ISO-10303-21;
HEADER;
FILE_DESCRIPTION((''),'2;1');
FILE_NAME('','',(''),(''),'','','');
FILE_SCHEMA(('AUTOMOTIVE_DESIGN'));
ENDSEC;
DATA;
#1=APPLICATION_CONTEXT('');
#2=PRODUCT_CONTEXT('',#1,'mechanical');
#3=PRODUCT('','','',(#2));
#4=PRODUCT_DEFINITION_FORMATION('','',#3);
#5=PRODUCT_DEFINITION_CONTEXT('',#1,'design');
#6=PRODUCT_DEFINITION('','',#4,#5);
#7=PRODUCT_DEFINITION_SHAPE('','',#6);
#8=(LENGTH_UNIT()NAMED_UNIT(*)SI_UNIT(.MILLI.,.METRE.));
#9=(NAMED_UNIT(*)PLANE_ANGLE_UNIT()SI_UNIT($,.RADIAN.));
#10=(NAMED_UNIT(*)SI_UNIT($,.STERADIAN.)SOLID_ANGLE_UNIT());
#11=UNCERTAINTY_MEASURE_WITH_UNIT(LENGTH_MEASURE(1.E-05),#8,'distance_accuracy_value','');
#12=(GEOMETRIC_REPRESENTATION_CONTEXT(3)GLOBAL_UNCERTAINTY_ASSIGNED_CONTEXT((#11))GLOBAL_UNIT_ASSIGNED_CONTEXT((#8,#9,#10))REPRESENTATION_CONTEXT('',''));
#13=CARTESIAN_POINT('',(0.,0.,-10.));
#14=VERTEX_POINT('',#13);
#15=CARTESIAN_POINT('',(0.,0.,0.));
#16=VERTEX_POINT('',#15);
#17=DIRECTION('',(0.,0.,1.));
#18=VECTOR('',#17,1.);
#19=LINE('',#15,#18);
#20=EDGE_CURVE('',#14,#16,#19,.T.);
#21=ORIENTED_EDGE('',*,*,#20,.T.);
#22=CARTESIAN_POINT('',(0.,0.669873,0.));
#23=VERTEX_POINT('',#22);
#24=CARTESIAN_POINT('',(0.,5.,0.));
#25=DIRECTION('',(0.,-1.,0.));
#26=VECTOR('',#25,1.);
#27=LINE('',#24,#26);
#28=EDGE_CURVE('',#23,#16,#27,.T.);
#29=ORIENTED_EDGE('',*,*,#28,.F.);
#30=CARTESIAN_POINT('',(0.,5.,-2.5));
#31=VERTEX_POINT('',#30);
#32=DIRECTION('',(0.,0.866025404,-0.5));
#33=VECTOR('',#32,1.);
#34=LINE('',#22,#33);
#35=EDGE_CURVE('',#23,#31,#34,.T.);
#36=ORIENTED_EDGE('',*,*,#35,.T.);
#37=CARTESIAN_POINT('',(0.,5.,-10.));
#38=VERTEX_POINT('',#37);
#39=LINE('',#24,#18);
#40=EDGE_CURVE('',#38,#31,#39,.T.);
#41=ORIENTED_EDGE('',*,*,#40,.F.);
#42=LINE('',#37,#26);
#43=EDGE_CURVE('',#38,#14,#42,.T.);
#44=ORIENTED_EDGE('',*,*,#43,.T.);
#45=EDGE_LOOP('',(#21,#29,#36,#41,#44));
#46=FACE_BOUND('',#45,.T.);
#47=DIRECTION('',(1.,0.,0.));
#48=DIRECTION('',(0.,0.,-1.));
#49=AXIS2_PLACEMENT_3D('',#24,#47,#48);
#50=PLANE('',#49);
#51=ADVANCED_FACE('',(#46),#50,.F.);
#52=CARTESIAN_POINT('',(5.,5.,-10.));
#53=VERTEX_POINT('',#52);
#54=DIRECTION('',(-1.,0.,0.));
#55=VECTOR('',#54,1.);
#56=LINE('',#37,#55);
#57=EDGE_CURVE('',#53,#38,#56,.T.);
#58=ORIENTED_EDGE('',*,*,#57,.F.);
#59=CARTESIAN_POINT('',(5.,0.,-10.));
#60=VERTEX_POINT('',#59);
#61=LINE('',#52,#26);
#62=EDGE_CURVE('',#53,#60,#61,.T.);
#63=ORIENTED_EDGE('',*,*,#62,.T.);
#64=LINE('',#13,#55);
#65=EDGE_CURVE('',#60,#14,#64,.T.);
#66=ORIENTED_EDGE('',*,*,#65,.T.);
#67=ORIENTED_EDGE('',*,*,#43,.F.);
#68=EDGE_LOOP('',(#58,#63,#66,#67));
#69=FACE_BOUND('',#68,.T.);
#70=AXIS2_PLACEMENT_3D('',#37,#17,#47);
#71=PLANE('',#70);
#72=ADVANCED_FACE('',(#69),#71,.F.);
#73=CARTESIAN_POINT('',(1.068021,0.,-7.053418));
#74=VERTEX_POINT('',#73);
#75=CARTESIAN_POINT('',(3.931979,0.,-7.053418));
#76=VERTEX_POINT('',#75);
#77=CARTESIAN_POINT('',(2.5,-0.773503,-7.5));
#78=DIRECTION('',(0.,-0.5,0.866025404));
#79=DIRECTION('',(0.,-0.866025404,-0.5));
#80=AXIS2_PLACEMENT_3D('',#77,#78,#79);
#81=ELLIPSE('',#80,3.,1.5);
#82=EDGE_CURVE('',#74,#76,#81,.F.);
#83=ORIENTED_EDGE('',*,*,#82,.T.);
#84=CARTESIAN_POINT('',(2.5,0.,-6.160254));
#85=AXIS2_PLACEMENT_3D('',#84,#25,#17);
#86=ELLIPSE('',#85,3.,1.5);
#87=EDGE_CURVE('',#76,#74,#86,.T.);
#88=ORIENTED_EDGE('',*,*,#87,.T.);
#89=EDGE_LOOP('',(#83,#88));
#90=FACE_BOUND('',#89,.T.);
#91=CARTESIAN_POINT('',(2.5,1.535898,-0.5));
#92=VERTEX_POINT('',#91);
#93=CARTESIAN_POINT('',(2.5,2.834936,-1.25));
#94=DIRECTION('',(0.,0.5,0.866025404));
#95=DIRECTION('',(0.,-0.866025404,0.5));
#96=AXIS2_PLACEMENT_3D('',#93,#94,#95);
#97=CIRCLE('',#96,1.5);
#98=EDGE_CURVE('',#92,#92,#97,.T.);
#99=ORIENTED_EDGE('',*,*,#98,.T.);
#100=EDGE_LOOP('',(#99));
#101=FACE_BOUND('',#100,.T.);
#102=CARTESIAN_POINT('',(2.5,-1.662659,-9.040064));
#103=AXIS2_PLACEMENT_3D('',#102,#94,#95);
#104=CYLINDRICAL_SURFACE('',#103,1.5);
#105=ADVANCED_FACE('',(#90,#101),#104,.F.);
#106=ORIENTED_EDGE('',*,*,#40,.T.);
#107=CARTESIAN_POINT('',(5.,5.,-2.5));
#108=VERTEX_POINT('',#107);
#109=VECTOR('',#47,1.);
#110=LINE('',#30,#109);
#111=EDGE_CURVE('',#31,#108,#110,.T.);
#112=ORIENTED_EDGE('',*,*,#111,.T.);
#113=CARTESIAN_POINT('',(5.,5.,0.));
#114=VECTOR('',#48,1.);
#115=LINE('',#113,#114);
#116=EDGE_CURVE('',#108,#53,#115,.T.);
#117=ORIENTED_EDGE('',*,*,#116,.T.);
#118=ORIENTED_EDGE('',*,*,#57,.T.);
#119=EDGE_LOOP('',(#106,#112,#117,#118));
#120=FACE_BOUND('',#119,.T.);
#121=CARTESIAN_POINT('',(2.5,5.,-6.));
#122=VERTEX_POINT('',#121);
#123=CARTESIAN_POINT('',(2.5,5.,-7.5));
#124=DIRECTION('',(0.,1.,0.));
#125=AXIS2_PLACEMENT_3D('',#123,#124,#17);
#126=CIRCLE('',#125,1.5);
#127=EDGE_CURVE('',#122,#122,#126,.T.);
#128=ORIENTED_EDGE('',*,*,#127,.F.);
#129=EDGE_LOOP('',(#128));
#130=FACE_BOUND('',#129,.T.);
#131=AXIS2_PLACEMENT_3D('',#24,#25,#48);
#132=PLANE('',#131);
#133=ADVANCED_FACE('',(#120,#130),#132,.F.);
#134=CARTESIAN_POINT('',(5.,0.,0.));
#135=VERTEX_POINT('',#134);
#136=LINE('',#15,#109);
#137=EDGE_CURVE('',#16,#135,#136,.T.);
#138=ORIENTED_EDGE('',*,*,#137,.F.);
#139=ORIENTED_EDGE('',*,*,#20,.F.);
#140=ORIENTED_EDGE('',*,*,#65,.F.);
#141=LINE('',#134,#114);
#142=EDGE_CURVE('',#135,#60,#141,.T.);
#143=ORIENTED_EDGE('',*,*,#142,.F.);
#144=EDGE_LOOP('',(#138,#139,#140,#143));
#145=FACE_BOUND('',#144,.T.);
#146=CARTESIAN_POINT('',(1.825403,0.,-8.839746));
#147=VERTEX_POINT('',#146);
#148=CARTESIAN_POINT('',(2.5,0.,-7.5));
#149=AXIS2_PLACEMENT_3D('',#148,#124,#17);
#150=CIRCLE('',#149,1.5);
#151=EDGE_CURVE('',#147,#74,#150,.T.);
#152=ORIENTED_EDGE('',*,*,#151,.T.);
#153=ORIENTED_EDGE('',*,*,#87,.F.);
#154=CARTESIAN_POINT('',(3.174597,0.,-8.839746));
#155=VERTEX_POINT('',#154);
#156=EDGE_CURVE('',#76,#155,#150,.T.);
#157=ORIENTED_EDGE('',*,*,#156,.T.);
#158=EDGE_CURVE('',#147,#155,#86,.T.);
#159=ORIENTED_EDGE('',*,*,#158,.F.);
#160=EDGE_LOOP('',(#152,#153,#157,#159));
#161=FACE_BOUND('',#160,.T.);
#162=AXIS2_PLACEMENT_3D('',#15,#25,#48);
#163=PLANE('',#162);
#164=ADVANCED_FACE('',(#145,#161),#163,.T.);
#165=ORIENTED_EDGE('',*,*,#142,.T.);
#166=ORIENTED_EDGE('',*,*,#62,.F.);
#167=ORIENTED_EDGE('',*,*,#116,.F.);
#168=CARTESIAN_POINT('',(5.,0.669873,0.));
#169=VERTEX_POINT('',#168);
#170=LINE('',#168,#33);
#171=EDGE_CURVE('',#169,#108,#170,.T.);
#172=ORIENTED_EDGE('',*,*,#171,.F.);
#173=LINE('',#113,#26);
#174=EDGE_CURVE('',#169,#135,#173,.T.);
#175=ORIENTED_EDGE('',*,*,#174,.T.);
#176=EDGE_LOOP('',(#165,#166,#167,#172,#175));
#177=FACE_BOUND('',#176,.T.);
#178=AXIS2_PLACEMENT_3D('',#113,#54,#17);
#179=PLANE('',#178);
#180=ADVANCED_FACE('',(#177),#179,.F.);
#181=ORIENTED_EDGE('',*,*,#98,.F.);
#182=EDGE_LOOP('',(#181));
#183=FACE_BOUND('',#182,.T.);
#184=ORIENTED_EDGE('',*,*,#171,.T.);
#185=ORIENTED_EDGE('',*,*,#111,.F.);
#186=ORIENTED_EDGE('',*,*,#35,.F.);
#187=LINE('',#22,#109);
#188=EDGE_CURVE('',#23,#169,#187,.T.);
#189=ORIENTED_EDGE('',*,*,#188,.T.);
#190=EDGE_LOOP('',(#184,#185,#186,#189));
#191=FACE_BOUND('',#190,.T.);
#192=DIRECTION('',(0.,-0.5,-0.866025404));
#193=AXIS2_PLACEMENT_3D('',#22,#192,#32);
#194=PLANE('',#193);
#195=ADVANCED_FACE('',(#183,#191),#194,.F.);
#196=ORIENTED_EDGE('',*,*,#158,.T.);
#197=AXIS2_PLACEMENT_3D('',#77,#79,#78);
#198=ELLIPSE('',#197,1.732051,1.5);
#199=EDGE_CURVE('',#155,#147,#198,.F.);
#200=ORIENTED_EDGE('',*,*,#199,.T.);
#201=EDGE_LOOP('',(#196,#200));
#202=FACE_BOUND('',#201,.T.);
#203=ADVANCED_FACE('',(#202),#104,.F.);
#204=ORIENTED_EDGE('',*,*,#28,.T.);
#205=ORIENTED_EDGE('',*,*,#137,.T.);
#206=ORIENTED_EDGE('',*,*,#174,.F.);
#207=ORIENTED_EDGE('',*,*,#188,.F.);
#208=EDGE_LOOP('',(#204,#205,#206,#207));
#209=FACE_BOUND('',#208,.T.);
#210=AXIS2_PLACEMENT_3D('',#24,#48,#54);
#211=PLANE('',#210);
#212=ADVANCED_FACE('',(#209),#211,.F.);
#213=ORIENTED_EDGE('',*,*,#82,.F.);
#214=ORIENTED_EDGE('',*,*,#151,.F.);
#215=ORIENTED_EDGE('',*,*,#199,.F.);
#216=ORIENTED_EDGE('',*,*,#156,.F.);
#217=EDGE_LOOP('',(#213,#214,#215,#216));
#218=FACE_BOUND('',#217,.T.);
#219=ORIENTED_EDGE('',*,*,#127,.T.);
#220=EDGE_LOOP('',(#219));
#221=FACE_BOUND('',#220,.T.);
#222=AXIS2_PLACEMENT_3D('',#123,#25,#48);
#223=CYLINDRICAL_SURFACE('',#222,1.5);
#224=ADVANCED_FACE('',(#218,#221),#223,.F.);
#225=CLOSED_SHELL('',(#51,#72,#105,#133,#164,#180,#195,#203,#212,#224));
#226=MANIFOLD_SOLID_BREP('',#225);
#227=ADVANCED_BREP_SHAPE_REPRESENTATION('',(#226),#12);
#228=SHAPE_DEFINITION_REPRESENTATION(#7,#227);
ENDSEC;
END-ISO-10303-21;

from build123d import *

# Parameters (mm, degrees)
SKETCH_1_W          = 5
SKETCH_1_H          = 10
SKETCH_1_R          = 1.5
EXTRUDE_1_DEPTH     = 5
CUT_EXTRUDE_1_DEPTH = 5
SKETCH_3_R          = 1.5
CUT_EXTRUDE_2_DEPTH = 13.419290245


with BuildPart() as part:
    # 草图1 → 凸台-拉伸1 (new body)
    with BuildSketch(Plane(origin=(0, 0, 0), x_dir=(1, 0, 0), z_dir=(0, 1, 0))):
        with Locations((2.5, 5)):
            Rectangle(SKETCH_1_W, SKETCH_1_H)
        with Locations(Location((2.5, 7.5, 0), (0, 0, 270))):
            Circle(SKETCH_1_R, mode=Mode.SUBTRACT)
    extrude(amount=EXTRUDE_1_DEPTH)

    # 草图2 → 切除-拉伸1 (cut)
    with BuildSketch(Plane(origin=(5, 0, 0), x_dir=(0, 0, -1), z_dir=(1, 0, 0))):
        Polygon((0, 0.669872981), (2.5, 5), (0, 5), align=None)
    extrude(amount=-CUT_EXTRUDE_1_DEPTH, mode=Mode.SUBTRACT)

    # 草图3 → 切除-拉伸2 (cut, through all)
    with BuildSketch(Plane(origin=(0, 0.167468245, 0.290063509), x_dir=(1, 0, 0), z_dir=(0, 0.4999999999999979, 0.8660254037844399))):
        with Locations(Location((2.5, 3.080127019, 0), (0, 0, 270))):
            Circle(SKETCH_3_R)
    extrude(amount=-CUT_EXTRUDE_2_DEPTH, mode=Mode.SUBTRACT)


solid = part.part
